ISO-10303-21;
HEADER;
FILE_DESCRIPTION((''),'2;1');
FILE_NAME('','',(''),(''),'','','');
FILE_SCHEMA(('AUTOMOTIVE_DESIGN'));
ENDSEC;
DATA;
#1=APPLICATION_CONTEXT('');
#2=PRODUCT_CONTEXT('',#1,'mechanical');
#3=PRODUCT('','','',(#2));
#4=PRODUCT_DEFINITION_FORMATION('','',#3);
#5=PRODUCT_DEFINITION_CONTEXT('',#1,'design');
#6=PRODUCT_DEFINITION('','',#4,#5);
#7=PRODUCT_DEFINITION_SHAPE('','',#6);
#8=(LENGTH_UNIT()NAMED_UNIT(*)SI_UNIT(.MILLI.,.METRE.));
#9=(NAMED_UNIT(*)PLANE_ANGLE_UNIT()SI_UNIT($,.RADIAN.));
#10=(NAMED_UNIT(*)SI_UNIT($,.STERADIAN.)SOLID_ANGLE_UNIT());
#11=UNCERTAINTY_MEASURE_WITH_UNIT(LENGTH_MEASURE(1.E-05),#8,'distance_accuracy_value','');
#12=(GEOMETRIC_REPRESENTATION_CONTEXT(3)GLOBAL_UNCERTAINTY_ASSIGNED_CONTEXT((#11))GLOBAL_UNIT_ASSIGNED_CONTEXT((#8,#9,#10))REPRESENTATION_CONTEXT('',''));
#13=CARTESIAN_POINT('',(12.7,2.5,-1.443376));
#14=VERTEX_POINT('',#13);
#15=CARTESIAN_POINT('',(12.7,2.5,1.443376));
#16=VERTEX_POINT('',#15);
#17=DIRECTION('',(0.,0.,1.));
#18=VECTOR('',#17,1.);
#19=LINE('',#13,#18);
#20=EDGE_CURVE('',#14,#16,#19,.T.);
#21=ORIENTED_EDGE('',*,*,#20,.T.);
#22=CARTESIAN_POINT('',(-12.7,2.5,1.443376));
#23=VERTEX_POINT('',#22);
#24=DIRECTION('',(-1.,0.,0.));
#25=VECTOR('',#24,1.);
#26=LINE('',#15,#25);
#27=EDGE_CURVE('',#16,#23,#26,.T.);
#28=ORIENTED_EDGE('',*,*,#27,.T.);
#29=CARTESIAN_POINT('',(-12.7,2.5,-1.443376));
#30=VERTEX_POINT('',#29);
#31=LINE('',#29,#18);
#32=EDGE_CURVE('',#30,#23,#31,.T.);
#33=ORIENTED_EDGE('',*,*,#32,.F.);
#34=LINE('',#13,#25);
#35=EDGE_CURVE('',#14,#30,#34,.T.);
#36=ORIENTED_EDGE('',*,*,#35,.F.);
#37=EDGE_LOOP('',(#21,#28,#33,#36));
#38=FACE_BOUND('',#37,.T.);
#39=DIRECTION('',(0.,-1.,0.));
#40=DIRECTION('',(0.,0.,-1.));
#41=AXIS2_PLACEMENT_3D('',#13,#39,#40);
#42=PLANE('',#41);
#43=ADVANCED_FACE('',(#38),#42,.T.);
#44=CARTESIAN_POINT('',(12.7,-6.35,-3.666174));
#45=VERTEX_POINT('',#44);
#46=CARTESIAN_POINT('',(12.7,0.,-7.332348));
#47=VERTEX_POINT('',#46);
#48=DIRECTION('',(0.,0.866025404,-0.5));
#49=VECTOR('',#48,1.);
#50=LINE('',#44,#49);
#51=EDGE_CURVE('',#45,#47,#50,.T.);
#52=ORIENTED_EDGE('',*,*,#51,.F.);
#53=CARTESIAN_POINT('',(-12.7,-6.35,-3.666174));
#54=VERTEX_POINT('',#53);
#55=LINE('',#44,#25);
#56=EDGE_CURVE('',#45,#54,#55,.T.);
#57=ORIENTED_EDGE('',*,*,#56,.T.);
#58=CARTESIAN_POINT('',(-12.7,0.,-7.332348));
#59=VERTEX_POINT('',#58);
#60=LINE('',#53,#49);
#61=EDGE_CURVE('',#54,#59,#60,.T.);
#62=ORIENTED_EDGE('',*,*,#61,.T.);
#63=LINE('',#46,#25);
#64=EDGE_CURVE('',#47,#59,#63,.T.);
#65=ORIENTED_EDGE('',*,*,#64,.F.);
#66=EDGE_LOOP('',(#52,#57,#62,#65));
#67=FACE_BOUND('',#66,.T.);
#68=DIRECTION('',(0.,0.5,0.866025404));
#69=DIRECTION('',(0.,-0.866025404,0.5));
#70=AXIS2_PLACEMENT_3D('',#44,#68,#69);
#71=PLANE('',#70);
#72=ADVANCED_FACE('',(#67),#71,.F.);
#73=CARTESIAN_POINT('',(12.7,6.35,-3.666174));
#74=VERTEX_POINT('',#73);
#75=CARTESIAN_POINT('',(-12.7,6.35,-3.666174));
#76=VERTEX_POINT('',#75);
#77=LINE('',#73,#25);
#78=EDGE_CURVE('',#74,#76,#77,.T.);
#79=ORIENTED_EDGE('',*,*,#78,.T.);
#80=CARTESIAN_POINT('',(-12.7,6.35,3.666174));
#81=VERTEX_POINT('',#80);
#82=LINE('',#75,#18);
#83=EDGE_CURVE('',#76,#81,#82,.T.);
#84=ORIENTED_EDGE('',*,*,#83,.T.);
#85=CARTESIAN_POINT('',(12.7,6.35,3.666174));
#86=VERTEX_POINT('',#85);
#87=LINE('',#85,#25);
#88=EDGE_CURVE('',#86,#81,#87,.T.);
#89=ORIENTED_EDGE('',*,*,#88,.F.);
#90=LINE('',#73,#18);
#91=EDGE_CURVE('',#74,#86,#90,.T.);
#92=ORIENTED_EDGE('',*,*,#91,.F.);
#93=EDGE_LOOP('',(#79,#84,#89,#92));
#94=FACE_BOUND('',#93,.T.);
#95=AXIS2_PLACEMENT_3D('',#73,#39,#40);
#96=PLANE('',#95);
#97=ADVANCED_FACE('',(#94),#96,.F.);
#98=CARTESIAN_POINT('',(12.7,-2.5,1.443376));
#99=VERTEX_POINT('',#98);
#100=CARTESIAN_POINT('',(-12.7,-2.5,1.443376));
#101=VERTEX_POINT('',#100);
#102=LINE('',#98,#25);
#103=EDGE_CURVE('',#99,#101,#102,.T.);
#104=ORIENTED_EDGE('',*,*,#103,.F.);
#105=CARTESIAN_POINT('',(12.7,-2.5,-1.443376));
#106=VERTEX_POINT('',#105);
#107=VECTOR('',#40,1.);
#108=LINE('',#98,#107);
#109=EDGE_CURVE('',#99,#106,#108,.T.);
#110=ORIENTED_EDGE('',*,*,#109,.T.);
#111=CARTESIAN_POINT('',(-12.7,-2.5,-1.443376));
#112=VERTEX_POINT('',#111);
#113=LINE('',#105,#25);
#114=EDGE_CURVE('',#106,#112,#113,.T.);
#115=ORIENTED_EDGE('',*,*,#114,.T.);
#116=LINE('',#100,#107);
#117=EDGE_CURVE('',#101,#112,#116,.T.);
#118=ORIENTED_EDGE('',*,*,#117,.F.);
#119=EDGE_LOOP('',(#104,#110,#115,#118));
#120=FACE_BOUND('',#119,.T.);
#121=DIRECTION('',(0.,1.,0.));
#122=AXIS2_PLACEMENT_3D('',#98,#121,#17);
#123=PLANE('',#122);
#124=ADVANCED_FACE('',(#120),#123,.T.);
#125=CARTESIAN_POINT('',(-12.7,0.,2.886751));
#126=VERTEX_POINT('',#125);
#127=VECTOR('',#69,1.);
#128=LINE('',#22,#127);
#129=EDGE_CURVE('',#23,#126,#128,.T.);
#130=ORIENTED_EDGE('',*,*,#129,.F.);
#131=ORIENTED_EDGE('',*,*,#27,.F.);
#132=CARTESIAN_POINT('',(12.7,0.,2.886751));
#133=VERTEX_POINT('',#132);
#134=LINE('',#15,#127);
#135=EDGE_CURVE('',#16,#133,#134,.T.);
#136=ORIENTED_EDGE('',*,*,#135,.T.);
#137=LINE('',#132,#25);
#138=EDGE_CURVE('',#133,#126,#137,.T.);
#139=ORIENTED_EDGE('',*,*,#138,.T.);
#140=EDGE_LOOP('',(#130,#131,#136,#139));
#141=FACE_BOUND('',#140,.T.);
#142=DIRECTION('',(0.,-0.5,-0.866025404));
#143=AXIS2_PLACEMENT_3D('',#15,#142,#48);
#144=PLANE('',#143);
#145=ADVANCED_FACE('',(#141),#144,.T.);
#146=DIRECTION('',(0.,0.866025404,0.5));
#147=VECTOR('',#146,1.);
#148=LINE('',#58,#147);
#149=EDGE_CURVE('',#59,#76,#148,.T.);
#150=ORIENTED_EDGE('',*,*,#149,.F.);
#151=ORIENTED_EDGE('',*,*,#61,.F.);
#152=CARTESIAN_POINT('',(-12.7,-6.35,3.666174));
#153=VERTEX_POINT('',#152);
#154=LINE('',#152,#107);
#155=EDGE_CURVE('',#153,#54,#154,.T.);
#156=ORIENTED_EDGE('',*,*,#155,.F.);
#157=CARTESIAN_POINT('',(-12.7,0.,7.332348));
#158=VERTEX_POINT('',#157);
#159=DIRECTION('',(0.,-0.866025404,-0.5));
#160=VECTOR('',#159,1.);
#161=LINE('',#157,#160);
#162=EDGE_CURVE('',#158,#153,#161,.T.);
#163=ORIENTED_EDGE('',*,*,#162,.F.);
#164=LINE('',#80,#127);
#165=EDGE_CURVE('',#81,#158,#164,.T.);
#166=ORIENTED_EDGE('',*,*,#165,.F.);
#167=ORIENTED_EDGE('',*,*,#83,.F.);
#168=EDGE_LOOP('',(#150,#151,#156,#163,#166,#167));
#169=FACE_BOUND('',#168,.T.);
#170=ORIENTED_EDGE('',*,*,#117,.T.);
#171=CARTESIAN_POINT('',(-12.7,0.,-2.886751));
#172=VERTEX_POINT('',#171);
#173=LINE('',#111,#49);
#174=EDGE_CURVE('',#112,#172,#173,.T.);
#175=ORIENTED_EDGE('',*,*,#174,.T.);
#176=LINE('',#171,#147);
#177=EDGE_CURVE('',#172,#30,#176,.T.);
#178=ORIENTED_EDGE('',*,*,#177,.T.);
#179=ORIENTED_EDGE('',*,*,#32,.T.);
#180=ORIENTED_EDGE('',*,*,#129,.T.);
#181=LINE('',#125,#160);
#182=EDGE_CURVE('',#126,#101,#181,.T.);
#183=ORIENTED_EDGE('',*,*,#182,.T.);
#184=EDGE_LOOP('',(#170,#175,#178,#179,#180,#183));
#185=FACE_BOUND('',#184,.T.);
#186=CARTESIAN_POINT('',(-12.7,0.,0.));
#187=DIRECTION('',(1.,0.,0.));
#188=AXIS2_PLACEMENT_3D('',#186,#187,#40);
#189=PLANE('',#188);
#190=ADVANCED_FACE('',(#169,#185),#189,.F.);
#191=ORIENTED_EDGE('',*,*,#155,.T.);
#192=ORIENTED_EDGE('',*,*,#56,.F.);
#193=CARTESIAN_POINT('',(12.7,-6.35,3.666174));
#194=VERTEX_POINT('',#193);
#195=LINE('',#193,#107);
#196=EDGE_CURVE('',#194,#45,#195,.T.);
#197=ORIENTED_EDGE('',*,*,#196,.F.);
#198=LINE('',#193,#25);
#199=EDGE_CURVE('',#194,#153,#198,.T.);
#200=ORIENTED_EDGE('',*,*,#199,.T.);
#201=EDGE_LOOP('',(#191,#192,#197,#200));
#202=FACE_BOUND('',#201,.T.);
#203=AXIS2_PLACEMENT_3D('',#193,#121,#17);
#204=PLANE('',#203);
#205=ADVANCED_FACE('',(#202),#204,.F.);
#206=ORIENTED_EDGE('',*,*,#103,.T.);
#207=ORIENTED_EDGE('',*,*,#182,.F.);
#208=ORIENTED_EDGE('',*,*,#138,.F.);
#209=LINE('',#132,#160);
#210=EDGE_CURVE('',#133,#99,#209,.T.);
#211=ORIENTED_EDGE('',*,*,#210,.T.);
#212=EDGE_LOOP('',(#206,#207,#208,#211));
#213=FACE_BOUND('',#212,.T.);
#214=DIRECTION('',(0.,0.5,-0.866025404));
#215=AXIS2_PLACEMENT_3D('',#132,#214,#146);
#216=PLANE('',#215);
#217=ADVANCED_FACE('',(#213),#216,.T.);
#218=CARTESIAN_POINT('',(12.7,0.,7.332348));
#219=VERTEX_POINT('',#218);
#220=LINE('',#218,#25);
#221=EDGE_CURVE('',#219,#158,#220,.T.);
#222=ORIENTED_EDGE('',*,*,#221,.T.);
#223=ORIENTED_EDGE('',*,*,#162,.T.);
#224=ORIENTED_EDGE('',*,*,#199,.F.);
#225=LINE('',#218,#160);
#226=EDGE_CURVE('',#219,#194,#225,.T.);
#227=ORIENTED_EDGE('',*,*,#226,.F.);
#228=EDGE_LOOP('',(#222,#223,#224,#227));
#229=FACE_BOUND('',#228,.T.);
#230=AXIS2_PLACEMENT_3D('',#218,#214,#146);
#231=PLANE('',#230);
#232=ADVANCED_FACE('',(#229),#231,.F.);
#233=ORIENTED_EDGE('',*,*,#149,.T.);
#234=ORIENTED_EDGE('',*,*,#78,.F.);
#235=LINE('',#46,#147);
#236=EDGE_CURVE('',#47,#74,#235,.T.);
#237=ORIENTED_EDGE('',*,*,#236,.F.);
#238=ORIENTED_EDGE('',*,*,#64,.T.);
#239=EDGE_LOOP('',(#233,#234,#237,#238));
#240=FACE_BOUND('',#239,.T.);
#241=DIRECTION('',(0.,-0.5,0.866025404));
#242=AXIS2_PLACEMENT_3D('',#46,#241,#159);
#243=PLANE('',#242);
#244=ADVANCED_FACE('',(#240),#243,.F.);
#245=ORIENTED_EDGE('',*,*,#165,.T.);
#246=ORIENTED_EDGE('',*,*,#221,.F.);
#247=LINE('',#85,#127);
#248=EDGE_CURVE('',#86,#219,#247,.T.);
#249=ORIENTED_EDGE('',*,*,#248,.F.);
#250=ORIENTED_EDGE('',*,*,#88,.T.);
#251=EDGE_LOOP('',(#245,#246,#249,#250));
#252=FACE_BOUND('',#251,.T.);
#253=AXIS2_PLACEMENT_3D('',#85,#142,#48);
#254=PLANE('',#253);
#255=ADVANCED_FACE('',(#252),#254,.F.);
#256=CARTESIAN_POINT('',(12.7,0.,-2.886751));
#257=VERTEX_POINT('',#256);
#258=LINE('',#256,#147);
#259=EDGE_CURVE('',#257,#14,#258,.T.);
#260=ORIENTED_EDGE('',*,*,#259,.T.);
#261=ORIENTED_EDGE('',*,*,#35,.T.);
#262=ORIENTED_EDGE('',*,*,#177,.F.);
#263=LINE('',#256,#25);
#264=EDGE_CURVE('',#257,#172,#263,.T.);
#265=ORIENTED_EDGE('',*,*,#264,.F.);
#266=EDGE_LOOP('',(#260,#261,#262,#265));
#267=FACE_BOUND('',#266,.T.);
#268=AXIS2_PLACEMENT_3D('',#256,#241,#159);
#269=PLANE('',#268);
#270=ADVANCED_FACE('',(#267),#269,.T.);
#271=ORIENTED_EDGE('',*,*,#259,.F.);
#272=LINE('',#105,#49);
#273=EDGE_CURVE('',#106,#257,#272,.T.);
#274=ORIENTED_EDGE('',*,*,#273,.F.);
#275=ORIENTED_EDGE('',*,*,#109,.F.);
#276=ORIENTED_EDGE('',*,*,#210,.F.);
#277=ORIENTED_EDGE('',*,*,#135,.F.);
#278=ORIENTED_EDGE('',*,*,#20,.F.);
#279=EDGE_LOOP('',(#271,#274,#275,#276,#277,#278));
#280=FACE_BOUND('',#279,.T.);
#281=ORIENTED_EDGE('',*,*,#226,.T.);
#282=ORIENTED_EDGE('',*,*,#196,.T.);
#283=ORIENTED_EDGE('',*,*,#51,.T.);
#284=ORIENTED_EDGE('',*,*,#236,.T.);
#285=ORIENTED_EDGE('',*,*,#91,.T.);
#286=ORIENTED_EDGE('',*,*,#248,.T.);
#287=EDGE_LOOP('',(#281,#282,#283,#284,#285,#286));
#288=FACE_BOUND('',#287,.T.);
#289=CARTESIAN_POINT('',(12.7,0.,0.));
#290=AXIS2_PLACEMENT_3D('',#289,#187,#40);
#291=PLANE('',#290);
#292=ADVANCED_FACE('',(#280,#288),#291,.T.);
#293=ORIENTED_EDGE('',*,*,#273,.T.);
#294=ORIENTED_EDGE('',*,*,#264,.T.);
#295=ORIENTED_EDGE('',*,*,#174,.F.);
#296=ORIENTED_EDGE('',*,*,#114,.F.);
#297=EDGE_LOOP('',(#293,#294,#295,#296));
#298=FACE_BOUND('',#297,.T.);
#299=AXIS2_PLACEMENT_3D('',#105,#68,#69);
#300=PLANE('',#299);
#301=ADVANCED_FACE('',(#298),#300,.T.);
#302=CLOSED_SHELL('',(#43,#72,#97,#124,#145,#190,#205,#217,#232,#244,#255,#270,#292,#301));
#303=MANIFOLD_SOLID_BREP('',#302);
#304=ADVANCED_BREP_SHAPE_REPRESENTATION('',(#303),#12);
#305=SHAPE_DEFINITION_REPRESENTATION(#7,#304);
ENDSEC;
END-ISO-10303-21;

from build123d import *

# Parameters (mm, degrees)
BOSS_EXTRUDE1_DEPTH = 12.7


with BuildPart() as part:
    # Sketch1 → Boss-Extrude1 (new, symmetric)
    with BuildSketch(Plane(origin=(0, 0, 0), x_dir=(0, 0, -1), z_dir=(1, 0, 0))):
        Polygon((7.332348419, 0), (3.666174209, 6.35), (-3.666174209, 6.35), (-7.332348419, 0), (-3.666174209, -6.35), (3.666174209, -6.35), align=None)
        Polygon((2.886751346, 0), (1.443375673, 2.5), (-1.443375673, 2.5), (-2.886751346, 0), (-1.443375673, -2.5), (1.443375673, -2.5), align=None, mode=Mode.SUBTRACT)
    extrude(amount=BOSS_EXTRUDE1_DEPTH, both=True)


solid = part.part
